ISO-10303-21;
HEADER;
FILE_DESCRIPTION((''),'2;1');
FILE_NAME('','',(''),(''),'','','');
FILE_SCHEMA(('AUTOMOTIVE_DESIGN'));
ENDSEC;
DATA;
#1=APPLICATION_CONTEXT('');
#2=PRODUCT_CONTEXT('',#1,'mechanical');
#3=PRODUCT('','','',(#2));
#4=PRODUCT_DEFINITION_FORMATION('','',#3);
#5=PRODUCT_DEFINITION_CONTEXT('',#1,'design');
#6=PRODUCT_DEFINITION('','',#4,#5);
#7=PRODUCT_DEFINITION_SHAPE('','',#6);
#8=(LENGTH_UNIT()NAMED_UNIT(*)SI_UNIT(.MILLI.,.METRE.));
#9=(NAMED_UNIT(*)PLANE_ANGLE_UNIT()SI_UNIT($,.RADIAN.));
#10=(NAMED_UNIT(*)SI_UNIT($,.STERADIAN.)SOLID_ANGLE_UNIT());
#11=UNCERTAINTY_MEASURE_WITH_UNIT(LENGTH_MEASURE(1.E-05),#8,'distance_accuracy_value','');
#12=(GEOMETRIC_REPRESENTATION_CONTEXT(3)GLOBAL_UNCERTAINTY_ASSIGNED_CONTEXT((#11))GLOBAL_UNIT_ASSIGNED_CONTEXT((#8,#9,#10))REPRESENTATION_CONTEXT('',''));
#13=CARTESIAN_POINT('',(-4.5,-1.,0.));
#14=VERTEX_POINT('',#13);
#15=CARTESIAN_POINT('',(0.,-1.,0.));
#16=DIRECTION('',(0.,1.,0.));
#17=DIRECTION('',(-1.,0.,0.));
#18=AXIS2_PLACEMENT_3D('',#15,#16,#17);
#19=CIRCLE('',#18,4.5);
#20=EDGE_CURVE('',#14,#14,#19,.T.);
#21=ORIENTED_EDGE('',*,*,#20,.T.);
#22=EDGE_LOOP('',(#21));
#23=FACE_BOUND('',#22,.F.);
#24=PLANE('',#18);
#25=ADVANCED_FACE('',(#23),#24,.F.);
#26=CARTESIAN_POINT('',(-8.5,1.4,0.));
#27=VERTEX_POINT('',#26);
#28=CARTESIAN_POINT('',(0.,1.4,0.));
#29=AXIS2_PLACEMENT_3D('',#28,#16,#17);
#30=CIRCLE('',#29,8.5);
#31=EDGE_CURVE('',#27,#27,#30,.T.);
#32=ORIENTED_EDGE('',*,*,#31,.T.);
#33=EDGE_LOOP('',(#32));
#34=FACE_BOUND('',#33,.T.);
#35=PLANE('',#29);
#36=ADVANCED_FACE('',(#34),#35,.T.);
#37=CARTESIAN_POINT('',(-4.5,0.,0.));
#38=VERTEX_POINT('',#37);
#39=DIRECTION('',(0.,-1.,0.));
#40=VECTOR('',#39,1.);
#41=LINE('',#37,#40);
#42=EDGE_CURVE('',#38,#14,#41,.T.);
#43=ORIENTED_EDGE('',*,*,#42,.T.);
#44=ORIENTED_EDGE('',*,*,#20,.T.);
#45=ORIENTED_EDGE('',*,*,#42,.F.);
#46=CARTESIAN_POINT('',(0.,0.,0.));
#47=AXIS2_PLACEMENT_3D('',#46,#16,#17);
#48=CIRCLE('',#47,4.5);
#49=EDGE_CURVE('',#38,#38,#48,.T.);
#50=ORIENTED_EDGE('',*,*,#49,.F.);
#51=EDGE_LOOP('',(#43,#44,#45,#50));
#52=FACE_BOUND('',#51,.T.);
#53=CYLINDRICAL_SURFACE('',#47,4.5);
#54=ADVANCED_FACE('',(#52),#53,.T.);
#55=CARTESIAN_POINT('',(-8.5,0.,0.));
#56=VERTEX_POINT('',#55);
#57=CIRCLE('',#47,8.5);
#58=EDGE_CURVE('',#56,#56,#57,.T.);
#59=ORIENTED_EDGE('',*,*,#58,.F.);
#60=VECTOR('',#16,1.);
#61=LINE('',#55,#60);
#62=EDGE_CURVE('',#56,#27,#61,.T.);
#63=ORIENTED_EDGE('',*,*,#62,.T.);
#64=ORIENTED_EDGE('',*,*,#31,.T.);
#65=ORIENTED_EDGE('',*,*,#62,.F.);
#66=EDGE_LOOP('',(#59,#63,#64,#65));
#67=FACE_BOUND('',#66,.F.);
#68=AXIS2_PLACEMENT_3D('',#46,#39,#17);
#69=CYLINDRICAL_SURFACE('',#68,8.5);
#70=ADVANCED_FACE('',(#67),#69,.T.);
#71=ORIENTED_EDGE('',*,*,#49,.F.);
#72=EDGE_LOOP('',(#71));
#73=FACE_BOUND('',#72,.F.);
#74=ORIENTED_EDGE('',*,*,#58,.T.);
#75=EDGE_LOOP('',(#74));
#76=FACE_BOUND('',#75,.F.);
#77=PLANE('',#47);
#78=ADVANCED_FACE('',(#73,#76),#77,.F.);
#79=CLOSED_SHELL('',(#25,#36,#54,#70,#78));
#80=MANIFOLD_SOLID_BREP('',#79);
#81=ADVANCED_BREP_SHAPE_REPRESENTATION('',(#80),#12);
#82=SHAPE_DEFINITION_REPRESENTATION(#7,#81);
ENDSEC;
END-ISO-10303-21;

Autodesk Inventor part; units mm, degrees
ref_plane "YZ Plane" through (0, 0, 0) normal (1, 0, 0) x (0, 1, 0)
ref_plane "XZ Plane" through (0, 0, 0) normal (0, 1, 0) x (-1, 0, 0)
ref_plane "XY Plane" through (0, 0, 0) normal (0, 0, 1) x (1, 0, 0)
sketch "Sketch1" plane through (0, 0, 0) normal (0, 1, 0) x (-1, 0, 0)
  circle A0 centre (0, 0) radius 8.5
  circle A1 centre (0, 0) radius 4.5
  dimension "d0" = 17
  dimension "d1" = 9
extrude "Extrusion1" add sketch "Sketch1" along normal blind 1.4 contours A0 | A1
extrude "Extrusion2" add sketch "Sketch1" against normal blind 1 contours A1
properties part number "FSR puck"
